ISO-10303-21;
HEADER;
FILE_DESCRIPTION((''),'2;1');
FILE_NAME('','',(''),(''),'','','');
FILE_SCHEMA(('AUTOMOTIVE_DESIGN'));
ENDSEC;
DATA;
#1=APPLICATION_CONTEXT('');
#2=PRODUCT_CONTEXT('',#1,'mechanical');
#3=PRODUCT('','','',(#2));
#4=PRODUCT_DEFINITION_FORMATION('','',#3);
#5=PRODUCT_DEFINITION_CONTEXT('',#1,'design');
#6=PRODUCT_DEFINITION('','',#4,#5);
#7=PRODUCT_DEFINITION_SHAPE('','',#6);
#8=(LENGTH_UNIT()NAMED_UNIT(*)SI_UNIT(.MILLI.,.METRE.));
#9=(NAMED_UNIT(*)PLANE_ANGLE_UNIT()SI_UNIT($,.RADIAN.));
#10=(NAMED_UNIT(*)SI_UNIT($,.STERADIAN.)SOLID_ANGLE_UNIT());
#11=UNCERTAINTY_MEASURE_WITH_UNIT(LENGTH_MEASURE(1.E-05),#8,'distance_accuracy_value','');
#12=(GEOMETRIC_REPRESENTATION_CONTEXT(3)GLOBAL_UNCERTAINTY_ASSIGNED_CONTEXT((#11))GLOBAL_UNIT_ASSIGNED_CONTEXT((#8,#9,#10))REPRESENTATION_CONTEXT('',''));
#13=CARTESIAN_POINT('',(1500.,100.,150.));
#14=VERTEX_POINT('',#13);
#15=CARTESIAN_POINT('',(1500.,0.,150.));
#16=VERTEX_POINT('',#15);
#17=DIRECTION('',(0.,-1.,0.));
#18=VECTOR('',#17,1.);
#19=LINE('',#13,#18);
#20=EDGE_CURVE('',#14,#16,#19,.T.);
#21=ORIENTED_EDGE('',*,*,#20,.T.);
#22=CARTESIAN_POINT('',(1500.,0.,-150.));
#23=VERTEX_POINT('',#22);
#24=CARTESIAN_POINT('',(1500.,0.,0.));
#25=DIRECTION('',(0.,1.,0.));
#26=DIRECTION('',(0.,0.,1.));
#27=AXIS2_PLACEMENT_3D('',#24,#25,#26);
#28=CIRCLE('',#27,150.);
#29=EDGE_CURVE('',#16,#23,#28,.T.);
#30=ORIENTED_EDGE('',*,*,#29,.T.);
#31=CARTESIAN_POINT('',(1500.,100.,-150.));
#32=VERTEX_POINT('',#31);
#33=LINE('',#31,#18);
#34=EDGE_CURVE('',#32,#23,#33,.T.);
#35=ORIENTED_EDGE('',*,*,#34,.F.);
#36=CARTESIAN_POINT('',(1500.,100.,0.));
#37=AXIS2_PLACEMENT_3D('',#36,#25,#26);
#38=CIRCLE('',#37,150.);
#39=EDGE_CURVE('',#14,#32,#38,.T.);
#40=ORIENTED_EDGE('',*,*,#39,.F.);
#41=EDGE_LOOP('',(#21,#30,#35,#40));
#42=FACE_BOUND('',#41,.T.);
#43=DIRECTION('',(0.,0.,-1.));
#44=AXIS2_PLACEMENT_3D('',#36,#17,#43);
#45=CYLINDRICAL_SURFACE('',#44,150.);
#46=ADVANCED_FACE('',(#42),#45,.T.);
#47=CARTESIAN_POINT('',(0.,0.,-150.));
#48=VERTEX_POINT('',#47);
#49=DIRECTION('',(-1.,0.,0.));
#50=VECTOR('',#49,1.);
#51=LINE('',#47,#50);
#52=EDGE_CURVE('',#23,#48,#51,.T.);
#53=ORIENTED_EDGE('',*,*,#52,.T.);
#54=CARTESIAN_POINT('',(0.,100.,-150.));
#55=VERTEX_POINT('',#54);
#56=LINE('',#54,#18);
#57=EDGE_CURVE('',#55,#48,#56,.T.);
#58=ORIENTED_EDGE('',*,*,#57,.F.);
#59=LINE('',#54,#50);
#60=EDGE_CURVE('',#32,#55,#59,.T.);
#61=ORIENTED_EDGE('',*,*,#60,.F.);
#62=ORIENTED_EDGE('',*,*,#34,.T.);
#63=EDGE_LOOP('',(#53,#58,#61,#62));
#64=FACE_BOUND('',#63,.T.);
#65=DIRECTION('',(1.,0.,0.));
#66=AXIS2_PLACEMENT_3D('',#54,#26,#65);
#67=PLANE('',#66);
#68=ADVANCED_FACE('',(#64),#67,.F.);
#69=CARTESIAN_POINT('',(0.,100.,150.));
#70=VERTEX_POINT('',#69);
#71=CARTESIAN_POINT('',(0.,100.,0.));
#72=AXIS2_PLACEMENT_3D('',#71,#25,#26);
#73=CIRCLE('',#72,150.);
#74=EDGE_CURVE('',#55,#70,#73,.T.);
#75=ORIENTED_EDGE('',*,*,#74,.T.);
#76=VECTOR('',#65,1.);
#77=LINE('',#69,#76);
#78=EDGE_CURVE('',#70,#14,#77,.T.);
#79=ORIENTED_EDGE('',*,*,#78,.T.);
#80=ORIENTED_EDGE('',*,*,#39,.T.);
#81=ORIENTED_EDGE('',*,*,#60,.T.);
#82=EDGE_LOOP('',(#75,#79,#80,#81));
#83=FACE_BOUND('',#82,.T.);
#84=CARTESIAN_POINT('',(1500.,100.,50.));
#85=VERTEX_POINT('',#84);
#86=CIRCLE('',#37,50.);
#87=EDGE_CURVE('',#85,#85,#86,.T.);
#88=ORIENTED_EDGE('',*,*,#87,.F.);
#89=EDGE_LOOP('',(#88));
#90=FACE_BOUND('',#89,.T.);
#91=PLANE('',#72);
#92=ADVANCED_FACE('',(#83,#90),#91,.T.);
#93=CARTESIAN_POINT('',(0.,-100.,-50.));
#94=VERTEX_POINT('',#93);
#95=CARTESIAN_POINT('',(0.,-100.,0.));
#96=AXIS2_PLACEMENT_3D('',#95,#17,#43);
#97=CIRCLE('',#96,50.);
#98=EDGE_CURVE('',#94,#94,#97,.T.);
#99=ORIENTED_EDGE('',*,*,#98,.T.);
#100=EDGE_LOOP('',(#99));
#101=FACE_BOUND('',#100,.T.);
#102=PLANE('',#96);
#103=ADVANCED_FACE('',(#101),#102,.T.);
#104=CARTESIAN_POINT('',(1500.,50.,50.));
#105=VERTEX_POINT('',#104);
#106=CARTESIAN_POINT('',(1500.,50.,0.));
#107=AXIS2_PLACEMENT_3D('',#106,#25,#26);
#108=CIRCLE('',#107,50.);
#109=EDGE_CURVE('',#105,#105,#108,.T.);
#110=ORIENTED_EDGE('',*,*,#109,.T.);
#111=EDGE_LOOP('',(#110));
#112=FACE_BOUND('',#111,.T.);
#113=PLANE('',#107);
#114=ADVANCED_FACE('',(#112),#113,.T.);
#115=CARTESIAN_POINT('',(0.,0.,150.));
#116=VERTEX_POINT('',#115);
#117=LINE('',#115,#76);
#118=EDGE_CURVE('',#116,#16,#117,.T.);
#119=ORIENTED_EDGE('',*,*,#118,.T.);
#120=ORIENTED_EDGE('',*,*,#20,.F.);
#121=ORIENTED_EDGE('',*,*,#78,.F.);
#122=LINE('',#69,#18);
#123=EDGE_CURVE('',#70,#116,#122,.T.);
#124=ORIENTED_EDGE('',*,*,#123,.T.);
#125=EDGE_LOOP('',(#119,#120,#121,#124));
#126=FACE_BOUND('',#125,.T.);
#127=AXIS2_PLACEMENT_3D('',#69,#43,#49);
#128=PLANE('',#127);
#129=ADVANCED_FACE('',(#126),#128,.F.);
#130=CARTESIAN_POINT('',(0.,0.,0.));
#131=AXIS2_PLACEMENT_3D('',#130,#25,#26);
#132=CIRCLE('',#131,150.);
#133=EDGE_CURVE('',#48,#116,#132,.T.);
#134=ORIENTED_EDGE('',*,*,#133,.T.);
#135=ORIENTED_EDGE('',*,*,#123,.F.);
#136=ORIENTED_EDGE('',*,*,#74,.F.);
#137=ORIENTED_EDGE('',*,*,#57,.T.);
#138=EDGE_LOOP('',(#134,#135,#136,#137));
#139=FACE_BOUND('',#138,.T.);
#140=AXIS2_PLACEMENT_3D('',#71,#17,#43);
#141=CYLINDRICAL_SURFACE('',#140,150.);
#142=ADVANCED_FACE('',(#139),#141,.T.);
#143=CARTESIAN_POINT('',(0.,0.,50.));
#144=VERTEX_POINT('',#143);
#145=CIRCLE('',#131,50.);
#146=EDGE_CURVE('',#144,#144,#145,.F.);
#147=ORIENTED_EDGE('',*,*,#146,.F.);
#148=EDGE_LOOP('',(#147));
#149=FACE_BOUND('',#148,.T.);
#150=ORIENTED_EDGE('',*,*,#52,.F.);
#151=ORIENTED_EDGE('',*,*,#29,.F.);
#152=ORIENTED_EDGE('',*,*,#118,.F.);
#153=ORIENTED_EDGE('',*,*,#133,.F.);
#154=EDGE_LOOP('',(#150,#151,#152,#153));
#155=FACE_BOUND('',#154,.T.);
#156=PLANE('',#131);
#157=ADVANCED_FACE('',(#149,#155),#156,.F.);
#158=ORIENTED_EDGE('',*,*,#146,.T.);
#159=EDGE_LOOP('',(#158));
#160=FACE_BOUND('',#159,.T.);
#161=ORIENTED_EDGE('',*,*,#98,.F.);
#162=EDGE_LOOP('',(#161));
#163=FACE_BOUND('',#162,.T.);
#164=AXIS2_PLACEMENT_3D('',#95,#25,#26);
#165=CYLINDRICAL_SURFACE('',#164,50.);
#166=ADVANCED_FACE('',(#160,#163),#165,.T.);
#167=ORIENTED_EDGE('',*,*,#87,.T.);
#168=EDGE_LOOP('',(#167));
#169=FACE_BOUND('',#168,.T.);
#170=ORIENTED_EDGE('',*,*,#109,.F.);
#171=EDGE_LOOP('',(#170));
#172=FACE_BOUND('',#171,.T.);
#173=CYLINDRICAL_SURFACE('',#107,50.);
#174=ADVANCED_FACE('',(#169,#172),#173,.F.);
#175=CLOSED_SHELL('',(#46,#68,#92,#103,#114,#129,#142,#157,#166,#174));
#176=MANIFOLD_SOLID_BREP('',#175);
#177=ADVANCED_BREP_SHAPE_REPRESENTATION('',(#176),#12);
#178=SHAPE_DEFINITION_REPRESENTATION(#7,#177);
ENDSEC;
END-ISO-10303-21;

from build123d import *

# Parameters (mm, degrees)
BOSS_EXTRUDE1_DEPTH = 100
SKETCH3_R           = 50
BOSS_EXTRUDE3_DEPTH = 100
SKETCH2_R           = 50
CUT_EXTRUDE1_DEPTH  = 50


with BuildPart() as part:
    # Sketch1 → Boss-Extrude1 (new body)
    with BuildSketch(Plane(origin=(0, 0, 0), x_dir=(1, 0, 0), z_dir=(0, 1, 0))):
        with BuildLine():
            Line((0, 150), (1500, 150))
            ThreePointArc((1500, 150), (1650, 0), (1500, -150))
            Line((1500, -150), (0, -150))
            ThreePointArc((0, -150), (-150, 0), (0, 150))
        make_face()
    extrude(amount=BOSS_EXTRUDE1_DEPTH)

    # Sketch3 → Boss-Extrude3 (add)
    with BuildSketch(Plane.XZ):
        with Locations(Location((0, 0, 0), (0, 0, 90))):
            Circle(SKETCH3_R)
    extrude(amount=BOSS_EXTRUDE3_DEPTH)

    # Sketch2 → Cut-Extrude1 (cut)
    with BuildSketch(Plane(origin=(0, 100, 0), x_dir=(1, 0, 0), z_dir=(0, 1, 0))):
        with Locations(Location((1500, 0, 0), (0, 0, 270))):
            Circle(SKETCH2_R)
    extrude(amount=-CUT_EXTRUDE1_DEPTH, mode=Mode.SUBTRACT)


solid = part.part
